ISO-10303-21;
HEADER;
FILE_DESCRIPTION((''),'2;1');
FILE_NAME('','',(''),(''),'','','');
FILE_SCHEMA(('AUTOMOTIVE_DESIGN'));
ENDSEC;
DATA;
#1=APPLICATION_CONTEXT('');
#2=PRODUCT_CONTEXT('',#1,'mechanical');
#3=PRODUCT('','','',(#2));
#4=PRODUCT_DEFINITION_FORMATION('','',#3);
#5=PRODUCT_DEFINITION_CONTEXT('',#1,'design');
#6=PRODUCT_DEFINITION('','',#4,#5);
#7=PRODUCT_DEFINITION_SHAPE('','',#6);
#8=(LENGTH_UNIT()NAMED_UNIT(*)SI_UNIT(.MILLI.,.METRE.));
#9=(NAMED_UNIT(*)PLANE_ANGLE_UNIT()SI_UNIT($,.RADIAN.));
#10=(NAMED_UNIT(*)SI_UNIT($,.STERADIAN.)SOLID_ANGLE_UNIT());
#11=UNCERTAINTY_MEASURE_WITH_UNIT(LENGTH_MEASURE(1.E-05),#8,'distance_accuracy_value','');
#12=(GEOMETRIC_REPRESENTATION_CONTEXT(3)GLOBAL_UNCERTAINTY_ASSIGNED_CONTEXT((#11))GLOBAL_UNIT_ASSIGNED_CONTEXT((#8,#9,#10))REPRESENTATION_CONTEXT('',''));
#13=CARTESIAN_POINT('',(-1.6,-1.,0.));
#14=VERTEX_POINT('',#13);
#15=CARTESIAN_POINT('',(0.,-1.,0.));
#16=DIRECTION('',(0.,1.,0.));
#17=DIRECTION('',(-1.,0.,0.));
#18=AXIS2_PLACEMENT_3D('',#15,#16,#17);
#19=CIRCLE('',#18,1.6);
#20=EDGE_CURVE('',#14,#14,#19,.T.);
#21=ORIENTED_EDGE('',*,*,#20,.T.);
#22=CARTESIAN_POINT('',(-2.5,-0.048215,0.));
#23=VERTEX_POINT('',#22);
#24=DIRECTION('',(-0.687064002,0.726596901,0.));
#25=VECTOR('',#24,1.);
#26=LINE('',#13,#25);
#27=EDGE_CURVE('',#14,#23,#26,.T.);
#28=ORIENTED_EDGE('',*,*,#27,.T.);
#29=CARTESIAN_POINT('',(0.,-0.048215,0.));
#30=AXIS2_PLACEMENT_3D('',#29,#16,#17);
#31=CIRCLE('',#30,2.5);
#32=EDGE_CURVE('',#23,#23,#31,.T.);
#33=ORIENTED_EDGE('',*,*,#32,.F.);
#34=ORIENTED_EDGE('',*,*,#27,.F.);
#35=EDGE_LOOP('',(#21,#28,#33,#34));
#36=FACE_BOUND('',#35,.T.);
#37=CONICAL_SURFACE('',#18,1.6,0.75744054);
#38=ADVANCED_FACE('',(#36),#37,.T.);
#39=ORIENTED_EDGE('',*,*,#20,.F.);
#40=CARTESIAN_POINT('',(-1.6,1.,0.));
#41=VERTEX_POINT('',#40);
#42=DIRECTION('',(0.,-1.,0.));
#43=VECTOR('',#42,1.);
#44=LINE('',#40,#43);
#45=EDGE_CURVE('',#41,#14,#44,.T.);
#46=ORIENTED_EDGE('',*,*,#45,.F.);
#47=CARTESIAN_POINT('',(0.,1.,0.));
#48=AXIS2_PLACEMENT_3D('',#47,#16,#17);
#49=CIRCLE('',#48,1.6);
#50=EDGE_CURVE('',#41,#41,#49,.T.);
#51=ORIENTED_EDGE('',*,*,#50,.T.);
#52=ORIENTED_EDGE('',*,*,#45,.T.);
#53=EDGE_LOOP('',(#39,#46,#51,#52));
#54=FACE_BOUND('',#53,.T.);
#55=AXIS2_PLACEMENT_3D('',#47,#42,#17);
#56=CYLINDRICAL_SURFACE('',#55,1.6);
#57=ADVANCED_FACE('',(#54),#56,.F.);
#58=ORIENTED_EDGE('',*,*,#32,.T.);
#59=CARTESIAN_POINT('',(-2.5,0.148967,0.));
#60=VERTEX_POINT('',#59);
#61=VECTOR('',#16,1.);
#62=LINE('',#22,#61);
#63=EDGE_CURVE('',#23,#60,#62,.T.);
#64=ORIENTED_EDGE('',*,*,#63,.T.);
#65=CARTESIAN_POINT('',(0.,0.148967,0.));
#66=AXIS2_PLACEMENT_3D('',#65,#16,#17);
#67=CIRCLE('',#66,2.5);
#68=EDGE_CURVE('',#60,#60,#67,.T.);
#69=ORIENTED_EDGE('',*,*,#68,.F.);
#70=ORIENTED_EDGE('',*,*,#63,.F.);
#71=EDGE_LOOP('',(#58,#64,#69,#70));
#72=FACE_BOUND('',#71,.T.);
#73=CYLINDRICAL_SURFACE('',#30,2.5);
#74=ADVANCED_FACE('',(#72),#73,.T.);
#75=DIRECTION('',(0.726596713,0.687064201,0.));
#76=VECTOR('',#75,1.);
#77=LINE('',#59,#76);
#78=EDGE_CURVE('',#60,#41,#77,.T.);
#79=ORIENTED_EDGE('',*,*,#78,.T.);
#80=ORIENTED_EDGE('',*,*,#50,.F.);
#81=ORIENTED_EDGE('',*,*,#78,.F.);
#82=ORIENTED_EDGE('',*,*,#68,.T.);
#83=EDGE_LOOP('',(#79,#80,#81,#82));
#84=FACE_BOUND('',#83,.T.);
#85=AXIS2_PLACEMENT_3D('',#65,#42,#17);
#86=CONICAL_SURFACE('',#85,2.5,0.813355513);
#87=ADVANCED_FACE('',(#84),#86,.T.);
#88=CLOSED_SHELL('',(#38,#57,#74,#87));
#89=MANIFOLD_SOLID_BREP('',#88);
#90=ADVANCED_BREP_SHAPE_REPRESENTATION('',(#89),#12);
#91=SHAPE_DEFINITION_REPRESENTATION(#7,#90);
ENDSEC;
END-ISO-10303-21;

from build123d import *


with BuildPart() as part:
    # Sketch → Revolution (revolve)
    with BuildSketch(Plane.XY):
        Polygon((-1.6, 1), (-1.6, -1), (-2.5, -0.048215), (-2.5, 0.148967), align=None)
    revolve(axis=Axis((0, 0, 0), (0, 1, 0)))


solid = part.part
